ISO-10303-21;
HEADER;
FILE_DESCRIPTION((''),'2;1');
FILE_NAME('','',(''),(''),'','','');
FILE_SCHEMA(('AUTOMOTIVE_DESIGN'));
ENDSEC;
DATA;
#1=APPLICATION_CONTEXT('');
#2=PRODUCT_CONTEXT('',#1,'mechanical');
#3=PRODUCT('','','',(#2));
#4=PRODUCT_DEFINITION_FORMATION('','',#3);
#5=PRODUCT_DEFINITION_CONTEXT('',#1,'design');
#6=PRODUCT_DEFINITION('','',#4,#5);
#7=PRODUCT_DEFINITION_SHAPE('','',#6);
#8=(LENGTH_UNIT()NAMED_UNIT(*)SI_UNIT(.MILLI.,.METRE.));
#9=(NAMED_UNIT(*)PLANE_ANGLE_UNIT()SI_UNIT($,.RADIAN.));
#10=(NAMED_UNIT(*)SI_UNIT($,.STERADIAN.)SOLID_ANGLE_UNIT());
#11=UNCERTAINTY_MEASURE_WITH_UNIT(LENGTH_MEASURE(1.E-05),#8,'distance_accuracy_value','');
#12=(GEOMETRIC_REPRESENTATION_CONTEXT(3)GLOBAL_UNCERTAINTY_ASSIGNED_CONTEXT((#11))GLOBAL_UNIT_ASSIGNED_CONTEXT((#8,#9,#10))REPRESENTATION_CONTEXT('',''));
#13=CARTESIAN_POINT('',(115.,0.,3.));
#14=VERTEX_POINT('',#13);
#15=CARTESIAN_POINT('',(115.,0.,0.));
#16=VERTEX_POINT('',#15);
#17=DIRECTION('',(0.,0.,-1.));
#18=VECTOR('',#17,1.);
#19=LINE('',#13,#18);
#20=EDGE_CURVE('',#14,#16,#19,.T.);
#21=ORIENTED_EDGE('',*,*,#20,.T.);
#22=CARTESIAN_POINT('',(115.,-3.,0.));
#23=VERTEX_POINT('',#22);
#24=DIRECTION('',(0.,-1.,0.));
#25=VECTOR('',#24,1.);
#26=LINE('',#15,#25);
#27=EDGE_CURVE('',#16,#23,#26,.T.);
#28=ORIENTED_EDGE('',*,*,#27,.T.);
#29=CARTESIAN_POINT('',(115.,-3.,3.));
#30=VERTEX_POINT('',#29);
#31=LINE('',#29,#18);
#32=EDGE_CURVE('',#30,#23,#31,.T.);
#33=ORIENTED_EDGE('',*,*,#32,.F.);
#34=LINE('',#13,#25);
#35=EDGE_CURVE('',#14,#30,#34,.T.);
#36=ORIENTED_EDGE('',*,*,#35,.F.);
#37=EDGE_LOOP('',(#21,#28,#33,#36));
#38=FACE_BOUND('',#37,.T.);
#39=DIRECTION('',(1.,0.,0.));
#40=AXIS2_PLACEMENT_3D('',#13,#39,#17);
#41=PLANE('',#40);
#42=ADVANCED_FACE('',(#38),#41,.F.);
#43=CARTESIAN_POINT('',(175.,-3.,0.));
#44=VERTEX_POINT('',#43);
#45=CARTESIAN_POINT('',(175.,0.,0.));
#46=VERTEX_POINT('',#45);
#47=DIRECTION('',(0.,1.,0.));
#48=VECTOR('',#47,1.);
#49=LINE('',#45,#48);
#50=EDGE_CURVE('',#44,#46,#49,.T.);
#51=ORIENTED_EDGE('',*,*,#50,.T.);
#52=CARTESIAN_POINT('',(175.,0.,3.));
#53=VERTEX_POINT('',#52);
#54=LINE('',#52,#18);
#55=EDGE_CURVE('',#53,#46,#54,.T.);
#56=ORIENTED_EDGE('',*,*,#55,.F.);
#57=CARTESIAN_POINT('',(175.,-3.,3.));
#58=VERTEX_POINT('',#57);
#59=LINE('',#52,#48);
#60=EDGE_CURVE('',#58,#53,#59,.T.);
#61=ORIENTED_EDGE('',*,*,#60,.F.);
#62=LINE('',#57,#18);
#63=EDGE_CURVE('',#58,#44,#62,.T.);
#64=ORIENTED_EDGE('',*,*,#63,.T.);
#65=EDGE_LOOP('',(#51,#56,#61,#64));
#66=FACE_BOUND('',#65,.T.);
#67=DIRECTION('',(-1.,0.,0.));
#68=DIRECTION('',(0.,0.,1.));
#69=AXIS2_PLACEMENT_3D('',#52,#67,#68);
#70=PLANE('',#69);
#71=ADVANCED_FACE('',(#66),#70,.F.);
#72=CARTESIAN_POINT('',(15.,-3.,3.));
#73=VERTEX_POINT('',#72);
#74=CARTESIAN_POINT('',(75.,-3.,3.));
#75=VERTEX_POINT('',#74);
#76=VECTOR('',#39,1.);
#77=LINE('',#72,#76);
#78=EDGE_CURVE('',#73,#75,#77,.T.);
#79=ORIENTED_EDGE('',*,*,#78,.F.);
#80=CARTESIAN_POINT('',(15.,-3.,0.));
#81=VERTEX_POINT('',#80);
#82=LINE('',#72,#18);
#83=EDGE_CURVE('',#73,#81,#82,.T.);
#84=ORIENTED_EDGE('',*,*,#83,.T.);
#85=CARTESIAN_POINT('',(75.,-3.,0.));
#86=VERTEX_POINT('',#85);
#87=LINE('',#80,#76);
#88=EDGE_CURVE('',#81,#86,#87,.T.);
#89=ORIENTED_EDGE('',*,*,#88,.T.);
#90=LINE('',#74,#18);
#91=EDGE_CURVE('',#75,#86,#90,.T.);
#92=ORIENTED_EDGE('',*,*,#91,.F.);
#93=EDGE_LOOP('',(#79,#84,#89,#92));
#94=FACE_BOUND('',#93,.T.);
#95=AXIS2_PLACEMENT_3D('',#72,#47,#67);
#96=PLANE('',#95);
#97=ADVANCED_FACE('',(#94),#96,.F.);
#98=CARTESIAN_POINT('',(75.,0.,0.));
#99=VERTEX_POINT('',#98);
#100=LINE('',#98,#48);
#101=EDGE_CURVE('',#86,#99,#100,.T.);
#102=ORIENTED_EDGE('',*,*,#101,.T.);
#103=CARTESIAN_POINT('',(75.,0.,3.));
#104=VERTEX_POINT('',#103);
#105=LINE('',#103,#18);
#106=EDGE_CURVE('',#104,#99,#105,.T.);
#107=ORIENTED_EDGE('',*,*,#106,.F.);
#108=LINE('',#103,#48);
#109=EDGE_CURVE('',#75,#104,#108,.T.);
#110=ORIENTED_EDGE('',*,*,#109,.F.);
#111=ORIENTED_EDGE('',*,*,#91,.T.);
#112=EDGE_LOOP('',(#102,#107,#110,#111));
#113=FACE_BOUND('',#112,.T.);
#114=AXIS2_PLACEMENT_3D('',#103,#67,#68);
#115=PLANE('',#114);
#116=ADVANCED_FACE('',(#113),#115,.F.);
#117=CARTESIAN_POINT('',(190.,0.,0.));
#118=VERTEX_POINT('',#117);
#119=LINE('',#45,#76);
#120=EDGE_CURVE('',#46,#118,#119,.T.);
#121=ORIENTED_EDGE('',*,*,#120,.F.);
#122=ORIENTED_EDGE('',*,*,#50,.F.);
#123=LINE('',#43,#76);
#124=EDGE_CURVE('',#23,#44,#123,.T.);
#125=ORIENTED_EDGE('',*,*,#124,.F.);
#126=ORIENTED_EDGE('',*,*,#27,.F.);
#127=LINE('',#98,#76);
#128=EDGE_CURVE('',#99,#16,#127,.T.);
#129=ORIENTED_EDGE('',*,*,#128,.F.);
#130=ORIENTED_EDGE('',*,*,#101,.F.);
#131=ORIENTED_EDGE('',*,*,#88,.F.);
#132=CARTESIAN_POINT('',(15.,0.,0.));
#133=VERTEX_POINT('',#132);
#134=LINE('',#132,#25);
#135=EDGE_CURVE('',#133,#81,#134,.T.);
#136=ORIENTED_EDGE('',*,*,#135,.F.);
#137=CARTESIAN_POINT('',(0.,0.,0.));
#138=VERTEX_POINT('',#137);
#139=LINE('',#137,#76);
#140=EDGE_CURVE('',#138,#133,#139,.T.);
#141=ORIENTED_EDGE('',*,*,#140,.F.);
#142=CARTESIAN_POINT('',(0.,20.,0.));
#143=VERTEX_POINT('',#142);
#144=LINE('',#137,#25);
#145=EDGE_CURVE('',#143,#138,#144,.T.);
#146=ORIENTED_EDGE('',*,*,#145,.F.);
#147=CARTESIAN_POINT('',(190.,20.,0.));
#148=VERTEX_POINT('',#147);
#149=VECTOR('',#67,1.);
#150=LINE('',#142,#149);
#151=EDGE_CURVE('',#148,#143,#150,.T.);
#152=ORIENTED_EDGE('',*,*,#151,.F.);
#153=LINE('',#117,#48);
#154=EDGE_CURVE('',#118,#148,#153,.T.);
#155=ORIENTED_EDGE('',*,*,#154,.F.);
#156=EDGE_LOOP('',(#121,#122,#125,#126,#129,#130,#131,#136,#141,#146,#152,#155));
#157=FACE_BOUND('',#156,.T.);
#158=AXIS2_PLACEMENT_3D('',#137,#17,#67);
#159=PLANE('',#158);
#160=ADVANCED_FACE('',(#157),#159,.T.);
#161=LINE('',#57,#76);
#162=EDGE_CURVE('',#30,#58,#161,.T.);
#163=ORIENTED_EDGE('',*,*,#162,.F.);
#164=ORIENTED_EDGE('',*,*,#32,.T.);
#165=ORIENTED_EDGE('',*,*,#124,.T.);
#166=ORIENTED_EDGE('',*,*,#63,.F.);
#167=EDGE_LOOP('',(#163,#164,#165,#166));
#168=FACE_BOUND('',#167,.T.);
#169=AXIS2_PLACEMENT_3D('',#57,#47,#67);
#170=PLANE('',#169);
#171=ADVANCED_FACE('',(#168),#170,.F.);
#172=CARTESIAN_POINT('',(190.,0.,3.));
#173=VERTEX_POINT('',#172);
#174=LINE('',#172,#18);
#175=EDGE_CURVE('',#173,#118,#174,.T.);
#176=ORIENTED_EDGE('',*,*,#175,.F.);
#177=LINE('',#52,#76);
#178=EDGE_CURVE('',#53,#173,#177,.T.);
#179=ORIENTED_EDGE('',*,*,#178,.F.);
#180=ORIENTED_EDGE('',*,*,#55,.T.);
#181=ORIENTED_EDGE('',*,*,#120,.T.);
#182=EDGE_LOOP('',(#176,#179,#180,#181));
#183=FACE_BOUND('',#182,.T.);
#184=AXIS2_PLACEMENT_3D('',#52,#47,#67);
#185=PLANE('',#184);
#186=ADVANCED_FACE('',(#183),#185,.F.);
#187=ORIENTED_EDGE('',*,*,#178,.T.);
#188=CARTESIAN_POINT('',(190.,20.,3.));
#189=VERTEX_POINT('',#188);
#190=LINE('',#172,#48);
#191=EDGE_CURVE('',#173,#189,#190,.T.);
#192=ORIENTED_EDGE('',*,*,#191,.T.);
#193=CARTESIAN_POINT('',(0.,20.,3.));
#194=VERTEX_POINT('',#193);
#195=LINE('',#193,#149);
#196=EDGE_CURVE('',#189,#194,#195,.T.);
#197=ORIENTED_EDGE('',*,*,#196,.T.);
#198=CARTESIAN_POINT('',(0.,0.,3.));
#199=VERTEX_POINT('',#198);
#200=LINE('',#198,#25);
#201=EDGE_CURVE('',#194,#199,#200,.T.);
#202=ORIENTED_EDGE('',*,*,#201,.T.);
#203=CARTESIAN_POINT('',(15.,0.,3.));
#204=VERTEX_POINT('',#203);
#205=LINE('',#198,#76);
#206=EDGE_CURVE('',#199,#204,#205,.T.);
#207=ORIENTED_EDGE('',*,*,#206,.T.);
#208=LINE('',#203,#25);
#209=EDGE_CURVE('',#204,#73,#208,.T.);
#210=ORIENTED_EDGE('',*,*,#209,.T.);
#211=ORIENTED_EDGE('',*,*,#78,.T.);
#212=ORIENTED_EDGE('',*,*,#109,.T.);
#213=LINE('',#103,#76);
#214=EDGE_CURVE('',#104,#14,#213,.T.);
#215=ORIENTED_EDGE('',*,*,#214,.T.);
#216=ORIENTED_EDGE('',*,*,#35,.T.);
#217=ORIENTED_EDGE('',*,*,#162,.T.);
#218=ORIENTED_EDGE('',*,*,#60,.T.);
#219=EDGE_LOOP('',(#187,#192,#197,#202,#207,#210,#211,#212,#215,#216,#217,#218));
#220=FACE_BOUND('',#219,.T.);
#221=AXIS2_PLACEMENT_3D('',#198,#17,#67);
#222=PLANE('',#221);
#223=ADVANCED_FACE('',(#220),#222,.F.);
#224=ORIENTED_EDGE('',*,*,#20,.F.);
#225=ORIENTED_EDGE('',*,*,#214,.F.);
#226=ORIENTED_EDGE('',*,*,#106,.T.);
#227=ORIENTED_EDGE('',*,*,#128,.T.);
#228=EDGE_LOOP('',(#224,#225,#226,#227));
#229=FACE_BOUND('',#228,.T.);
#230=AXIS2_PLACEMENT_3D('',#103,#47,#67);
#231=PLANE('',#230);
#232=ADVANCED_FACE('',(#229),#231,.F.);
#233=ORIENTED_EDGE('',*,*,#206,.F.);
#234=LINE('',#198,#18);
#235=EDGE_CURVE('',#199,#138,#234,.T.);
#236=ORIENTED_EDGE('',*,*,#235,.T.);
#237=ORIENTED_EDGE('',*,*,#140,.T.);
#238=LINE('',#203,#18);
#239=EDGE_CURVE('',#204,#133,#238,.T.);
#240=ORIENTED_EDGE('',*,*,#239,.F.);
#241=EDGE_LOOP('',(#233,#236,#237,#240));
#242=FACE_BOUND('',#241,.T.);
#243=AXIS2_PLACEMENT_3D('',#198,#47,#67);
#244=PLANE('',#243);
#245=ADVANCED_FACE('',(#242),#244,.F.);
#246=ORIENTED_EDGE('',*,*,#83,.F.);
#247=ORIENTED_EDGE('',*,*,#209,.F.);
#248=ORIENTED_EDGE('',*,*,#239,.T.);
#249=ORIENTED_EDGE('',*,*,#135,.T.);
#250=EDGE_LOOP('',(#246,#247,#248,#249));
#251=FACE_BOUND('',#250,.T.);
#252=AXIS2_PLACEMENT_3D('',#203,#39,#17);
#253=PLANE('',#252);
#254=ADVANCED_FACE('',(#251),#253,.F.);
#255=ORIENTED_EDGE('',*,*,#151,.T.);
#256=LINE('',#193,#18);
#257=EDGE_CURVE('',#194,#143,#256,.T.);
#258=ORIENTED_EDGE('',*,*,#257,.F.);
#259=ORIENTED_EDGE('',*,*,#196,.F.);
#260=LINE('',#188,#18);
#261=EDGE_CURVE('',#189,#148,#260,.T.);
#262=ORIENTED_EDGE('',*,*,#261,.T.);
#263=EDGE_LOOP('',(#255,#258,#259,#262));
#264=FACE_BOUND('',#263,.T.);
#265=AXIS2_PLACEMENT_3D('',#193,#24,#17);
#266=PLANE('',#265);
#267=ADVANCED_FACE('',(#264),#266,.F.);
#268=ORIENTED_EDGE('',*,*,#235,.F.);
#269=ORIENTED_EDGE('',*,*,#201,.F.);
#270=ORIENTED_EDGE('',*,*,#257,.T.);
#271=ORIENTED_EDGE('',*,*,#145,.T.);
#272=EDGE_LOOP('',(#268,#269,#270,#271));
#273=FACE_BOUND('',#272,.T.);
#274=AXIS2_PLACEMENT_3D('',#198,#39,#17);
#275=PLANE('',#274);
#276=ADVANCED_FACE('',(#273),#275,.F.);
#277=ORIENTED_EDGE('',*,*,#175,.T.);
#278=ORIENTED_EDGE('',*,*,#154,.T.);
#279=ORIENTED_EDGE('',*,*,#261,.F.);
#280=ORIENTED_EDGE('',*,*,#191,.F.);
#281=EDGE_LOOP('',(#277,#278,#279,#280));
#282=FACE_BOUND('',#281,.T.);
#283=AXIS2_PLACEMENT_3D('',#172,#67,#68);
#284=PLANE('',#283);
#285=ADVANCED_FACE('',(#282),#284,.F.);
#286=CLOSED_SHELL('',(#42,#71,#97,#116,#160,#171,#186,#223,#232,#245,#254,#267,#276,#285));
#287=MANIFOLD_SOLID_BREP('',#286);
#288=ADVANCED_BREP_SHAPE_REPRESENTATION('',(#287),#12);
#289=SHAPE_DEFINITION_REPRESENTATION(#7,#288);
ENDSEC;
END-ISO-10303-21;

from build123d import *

# Parameters (mm, degrees)
BOSS_EXTRU_1_DEPTH = 3


with BuildPart() as part:
    # Esquisse1 → Boss.-Extru.1 (new body)
    with BuildSketch(Plane.XY):
        Polygon((175, 0), (190, 0), (190, 20), (0, 20), (0, 0), (15, 0), (15, -3), (75, -3), (75, 0), (115, 0), (115, -3), (175, -3), align=None)
    extrude(amount=BOSS_EXTRU_1_DEPTH)


solid = part.part
